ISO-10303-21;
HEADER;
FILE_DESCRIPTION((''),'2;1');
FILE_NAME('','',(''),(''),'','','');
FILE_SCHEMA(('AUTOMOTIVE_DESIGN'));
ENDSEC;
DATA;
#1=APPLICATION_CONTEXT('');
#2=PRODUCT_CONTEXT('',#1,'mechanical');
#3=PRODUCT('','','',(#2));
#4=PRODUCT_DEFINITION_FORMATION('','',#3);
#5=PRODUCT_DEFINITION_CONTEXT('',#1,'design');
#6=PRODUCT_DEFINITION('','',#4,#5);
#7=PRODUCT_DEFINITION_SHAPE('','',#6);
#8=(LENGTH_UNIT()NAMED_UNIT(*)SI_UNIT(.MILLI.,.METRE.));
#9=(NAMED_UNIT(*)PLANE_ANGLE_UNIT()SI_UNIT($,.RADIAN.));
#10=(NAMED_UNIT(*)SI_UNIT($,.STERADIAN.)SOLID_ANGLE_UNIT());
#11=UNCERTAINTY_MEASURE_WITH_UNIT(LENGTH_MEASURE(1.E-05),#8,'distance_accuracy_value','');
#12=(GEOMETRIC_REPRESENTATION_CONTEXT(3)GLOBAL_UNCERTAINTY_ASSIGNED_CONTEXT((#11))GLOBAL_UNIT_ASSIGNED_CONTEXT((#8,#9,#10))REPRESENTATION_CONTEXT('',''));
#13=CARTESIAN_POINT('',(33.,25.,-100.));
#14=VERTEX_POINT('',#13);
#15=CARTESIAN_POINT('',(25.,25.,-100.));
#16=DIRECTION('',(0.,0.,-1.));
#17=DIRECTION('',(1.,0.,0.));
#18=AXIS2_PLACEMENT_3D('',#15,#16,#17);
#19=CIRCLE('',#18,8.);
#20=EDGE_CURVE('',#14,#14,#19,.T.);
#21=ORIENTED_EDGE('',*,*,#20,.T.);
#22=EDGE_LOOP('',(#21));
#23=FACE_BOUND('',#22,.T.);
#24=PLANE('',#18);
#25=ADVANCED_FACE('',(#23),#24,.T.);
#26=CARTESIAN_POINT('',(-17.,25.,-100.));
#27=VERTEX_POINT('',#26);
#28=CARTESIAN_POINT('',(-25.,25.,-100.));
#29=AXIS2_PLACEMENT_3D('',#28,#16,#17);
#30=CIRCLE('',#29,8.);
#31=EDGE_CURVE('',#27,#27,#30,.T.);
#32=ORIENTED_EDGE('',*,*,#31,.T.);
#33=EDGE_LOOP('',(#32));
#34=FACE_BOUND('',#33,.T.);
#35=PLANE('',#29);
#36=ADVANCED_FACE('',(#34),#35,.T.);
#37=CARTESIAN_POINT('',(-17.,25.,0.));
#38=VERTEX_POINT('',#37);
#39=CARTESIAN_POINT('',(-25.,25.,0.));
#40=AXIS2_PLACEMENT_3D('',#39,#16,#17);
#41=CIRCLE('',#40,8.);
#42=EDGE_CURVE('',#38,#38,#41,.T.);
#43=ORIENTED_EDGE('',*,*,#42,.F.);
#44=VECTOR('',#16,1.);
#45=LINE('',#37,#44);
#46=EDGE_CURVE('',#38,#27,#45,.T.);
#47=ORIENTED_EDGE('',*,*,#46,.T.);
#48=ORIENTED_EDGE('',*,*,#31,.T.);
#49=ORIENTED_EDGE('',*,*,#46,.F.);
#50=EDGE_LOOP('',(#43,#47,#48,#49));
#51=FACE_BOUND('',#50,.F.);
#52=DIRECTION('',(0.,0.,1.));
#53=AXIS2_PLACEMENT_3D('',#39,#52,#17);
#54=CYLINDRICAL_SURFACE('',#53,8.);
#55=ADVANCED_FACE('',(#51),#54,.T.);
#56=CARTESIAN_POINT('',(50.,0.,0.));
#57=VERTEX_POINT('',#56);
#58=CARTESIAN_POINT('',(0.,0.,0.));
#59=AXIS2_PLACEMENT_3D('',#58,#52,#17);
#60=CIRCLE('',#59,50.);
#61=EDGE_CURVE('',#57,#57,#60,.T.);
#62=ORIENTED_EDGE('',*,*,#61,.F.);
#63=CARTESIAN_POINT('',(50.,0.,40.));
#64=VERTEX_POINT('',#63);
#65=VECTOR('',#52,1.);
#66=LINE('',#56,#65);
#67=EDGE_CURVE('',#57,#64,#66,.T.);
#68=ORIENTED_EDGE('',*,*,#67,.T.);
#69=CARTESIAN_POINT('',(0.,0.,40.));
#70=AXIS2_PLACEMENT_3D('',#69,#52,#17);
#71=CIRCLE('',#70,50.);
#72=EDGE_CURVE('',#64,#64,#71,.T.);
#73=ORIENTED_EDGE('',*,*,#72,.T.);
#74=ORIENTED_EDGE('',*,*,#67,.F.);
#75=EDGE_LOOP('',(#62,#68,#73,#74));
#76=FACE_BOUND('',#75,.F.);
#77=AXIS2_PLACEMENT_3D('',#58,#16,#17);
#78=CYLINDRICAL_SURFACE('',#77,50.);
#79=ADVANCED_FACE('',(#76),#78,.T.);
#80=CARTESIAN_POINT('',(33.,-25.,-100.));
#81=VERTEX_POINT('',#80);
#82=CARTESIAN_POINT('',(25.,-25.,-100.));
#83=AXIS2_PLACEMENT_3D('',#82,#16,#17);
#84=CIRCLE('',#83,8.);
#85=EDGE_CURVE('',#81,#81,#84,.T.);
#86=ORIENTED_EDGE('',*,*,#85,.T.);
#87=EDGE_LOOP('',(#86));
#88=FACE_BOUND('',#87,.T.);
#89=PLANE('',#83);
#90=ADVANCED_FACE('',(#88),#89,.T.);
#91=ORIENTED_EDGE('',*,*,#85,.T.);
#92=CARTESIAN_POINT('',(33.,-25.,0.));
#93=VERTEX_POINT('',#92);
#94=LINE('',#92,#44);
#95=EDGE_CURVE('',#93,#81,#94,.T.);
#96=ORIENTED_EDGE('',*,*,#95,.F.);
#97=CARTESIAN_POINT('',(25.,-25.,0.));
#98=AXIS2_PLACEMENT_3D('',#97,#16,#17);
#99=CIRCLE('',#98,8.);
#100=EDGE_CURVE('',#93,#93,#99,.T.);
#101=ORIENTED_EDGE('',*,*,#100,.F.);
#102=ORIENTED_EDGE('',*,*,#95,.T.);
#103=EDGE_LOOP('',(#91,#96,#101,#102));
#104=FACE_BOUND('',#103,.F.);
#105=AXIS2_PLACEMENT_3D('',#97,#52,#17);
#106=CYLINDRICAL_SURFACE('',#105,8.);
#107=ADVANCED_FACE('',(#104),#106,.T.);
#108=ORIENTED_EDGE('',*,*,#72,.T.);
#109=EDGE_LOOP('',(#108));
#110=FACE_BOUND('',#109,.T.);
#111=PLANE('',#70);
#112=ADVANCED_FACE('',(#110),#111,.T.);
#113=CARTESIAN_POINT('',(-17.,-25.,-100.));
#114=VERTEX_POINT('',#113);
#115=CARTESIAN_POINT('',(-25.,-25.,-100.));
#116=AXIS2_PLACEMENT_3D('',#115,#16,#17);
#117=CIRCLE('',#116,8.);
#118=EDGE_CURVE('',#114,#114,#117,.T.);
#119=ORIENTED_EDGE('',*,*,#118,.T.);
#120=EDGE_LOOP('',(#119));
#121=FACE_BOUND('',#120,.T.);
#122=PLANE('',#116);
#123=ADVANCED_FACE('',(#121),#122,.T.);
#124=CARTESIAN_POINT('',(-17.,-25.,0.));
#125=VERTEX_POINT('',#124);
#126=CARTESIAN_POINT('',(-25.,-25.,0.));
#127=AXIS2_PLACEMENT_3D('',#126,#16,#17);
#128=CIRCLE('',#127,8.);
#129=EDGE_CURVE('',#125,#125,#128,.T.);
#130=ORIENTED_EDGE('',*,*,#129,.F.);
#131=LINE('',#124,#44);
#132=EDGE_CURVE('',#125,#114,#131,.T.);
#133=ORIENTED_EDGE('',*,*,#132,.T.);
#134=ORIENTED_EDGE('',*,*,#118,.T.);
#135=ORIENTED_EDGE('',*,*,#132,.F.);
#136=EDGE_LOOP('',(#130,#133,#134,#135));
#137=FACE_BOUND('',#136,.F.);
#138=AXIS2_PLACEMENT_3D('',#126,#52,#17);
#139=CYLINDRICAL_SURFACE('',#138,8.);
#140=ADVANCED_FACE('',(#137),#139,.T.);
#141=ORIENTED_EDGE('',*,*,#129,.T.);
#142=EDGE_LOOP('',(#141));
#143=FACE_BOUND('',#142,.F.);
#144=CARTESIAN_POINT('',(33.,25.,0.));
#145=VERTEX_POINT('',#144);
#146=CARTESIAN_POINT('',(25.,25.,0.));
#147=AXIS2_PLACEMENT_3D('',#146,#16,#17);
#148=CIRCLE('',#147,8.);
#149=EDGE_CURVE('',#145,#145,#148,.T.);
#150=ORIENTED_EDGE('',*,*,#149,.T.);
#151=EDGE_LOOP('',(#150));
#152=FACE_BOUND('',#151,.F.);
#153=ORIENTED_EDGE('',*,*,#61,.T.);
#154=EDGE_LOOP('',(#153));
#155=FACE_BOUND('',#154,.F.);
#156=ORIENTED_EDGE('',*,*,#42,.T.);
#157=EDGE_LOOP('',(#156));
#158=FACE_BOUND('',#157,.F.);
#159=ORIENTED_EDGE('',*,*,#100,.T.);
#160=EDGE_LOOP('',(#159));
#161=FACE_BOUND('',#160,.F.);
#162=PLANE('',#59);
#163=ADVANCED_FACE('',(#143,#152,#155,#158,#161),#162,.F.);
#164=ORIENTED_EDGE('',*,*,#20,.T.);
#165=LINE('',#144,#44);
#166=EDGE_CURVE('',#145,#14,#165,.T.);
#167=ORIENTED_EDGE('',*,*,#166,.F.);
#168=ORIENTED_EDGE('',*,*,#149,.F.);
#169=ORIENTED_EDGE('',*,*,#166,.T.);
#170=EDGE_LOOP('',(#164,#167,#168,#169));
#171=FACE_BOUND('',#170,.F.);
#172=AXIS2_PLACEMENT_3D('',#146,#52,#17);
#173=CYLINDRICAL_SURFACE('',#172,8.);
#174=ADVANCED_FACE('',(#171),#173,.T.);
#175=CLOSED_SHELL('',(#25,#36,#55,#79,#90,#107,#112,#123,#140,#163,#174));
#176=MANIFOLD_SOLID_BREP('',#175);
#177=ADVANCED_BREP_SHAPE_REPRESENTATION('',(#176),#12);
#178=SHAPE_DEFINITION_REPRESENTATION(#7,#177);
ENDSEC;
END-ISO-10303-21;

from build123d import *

# Parameters (mm, degrees)
SKETCH_R     = 50
PAD_DEPTH    = 40
SKETCH001_R  = 8
PAD001_DEPTH = 100


with BuildPart() as part:
    # Sketch → Pad (new body)
    with BuildSketch(Plane.XY):
        Circle(SKETCH_R)
    extrude(amount=PAD_DEPTH)

    # Sketch001 (on Face2 of Pad) → Pad001 (join)
    with BuildSketch(Plane(origin=(0, 0, 0), x_dir=(1, 0, 0), z_dir=(0, 0, -1))):
        with Locations((25, 25)):
            Circle(SKETCH001_R)
        with Locations((25, -25)):
            Circle(SKETCH001_R)
        with Locations((-25, -25)):
            Circle(SKETCH001_R)
        with Locations((-25, 25)):
            Circle(SKETCH001_R)
    extrude(amount=PAD001_DEPTH)


solid = part.part
